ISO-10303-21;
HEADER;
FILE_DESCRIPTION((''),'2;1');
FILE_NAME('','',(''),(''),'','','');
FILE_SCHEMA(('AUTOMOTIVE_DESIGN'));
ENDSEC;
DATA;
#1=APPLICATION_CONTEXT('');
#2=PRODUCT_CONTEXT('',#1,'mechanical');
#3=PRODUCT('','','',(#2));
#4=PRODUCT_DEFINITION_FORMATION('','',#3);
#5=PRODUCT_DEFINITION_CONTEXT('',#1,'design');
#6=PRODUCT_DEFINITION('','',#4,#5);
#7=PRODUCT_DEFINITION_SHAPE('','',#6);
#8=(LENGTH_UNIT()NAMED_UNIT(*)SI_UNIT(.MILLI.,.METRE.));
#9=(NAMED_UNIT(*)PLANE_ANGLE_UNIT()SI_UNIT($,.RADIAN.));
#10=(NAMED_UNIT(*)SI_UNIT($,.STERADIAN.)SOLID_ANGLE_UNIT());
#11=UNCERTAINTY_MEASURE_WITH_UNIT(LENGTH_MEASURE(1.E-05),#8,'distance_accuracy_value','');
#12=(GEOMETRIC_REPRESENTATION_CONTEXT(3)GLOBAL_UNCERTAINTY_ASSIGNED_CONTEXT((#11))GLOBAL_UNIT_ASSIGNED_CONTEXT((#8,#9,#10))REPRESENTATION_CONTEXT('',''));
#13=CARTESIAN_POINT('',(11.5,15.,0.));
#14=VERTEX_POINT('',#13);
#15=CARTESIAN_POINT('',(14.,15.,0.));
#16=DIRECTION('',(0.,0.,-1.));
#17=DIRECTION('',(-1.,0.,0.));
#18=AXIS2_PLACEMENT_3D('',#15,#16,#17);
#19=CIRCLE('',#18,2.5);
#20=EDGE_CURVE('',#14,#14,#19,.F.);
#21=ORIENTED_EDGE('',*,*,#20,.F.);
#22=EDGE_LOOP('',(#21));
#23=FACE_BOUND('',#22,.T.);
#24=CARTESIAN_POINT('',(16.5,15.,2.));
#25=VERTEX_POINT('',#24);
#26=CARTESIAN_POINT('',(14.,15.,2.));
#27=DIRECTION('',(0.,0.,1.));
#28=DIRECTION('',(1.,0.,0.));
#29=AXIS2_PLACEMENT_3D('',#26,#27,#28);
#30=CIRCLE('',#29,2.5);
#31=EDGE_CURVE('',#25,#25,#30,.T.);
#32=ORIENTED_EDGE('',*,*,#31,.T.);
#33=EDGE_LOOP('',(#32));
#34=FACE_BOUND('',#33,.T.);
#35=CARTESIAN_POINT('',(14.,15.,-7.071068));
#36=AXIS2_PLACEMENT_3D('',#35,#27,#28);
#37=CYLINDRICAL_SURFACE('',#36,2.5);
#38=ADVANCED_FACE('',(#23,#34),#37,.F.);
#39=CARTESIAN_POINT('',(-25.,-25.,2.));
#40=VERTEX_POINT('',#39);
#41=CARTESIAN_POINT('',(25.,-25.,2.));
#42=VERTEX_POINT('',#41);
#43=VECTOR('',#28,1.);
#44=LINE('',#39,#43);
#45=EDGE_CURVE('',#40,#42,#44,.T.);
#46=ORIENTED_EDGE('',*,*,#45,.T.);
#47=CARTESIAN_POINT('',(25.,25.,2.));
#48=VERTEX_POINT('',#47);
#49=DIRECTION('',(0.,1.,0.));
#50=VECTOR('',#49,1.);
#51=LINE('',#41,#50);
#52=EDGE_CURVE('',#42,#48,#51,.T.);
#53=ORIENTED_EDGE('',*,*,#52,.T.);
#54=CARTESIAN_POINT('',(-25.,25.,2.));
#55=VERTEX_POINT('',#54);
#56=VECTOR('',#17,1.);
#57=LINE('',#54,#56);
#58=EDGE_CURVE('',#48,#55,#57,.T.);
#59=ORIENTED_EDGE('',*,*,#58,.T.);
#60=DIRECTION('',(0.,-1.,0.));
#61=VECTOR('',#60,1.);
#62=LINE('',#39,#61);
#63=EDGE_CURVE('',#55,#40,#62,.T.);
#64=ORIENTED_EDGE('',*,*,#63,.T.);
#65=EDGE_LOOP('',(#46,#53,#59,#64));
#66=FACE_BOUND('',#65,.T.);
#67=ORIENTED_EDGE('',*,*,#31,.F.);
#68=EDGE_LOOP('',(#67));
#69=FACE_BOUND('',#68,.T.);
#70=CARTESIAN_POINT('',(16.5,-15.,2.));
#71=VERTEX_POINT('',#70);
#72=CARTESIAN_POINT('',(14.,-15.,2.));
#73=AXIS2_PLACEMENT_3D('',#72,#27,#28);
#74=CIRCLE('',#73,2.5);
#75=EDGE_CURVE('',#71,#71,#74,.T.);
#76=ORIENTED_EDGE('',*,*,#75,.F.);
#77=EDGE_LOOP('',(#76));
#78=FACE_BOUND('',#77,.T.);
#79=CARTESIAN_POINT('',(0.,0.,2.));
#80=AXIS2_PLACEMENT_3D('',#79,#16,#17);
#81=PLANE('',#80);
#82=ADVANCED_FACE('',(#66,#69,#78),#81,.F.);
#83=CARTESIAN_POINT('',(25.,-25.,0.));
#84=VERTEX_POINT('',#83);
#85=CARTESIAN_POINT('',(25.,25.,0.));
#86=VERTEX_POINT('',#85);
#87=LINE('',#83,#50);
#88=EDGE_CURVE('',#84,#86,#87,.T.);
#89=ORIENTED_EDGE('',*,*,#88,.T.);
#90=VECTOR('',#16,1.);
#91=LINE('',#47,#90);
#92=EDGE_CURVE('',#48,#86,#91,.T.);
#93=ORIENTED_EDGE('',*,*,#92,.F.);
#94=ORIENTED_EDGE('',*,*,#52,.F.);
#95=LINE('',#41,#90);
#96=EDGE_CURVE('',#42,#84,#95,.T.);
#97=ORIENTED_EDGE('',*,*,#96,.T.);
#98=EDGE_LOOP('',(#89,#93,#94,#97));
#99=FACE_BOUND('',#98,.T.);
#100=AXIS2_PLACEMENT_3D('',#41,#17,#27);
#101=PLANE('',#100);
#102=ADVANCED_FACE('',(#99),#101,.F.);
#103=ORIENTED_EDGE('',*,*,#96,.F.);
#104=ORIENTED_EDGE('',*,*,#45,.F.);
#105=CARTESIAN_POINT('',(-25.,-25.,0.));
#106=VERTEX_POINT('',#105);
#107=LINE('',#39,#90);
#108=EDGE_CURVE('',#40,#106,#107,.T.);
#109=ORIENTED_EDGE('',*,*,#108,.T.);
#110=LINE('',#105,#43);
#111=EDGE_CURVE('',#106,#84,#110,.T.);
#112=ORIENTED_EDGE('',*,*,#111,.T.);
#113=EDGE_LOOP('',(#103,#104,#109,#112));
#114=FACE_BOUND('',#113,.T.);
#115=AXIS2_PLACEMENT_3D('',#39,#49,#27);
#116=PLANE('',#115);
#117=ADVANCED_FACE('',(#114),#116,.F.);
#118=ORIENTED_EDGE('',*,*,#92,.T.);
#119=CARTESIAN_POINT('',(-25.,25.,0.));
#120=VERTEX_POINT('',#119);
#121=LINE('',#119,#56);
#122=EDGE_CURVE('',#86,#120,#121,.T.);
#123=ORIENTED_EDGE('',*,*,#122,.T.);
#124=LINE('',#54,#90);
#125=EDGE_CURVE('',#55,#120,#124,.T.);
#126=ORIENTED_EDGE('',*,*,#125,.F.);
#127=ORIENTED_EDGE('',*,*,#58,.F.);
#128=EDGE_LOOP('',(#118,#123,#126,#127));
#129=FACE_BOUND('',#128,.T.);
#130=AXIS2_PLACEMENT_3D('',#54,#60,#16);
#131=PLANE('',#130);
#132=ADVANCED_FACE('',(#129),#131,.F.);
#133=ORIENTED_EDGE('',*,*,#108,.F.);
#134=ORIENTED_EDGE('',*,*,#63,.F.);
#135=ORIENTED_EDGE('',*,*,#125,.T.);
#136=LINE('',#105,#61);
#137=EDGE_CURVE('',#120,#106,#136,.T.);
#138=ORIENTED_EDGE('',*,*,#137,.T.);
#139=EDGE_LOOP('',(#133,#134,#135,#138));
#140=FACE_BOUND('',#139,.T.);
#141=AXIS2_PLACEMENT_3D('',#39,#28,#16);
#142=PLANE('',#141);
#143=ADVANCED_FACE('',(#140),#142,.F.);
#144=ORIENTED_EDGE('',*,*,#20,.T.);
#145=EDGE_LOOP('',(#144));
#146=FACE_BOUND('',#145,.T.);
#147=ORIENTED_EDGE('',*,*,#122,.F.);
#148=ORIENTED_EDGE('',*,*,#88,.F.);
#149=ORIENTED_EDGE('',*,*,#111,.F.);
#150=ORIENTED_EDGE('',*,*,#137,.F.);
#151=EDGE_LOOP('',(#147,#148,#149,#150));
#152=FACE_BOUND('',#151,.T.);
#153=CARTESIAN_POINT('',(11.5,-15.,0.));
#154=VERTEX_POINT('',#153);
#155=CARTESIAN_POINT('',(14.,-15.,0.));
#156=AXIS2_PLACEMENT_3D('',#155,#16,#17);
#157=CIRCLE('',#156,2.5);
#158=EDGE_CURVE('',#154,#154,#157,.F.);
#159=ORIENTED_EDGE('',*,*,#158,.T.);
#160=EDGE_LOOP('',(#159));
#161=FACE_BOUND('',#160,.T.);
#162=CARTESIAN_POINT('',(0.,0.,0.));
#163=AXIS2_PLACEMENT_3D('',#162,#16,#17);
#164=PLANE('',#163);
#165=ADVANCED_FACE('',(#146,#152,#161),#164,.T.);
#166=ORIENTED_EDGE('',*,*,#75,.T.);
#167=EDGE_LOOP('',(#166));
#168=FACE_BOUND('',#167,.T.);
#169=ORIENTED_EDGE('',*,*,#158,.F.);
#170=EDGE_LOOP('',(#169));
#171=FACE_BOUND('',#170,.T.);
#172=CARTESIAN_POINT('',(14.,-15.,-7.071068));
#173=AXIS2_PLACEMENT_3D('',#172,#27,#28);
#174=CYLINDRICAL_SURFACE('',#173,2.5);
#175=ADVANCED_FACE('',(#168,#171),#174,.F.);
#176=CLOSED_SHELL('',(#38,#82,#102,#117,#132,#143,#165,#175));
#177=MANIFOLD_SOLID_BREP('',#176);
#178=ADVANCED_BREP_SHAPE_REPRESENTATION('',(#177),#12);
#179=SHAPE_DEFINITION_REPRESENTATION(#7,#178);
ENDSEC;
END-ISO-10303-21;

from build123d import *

# Parameters (mm, degrees)
SKETCH_2_W          = 50
SKETCH_2_H          = 50
EXTRUDE_1_DEPTH     = 2
SKETCH_4_R          = 2.5
CUT_EXTRUDE_1_DEPTH = 2


with BuildPart() as part:
    # 草图2 → 凸台-拉伸1 (new body)
    with BuildSketch(Plane.XY):
        Rectangle(SKETCH_2_W, SKETCH_2_H)
    extrude(amount=EXTRUDE_1_DEPTH)

    # 草图4 → 切除-拉伸1 (cut)
    with BuildSketch(Plane.XY.offset(2)):
        with Locations((14, -15)):
            Circle(SKETCH_4_R)
        with Locations((14, 15)):
            Circle(SKETCH_4_R)
    extrude(amount=-CUT_EXTRUDE_1_DEPTH, mode=Mode.SUBTRACT)


solid = part.part
